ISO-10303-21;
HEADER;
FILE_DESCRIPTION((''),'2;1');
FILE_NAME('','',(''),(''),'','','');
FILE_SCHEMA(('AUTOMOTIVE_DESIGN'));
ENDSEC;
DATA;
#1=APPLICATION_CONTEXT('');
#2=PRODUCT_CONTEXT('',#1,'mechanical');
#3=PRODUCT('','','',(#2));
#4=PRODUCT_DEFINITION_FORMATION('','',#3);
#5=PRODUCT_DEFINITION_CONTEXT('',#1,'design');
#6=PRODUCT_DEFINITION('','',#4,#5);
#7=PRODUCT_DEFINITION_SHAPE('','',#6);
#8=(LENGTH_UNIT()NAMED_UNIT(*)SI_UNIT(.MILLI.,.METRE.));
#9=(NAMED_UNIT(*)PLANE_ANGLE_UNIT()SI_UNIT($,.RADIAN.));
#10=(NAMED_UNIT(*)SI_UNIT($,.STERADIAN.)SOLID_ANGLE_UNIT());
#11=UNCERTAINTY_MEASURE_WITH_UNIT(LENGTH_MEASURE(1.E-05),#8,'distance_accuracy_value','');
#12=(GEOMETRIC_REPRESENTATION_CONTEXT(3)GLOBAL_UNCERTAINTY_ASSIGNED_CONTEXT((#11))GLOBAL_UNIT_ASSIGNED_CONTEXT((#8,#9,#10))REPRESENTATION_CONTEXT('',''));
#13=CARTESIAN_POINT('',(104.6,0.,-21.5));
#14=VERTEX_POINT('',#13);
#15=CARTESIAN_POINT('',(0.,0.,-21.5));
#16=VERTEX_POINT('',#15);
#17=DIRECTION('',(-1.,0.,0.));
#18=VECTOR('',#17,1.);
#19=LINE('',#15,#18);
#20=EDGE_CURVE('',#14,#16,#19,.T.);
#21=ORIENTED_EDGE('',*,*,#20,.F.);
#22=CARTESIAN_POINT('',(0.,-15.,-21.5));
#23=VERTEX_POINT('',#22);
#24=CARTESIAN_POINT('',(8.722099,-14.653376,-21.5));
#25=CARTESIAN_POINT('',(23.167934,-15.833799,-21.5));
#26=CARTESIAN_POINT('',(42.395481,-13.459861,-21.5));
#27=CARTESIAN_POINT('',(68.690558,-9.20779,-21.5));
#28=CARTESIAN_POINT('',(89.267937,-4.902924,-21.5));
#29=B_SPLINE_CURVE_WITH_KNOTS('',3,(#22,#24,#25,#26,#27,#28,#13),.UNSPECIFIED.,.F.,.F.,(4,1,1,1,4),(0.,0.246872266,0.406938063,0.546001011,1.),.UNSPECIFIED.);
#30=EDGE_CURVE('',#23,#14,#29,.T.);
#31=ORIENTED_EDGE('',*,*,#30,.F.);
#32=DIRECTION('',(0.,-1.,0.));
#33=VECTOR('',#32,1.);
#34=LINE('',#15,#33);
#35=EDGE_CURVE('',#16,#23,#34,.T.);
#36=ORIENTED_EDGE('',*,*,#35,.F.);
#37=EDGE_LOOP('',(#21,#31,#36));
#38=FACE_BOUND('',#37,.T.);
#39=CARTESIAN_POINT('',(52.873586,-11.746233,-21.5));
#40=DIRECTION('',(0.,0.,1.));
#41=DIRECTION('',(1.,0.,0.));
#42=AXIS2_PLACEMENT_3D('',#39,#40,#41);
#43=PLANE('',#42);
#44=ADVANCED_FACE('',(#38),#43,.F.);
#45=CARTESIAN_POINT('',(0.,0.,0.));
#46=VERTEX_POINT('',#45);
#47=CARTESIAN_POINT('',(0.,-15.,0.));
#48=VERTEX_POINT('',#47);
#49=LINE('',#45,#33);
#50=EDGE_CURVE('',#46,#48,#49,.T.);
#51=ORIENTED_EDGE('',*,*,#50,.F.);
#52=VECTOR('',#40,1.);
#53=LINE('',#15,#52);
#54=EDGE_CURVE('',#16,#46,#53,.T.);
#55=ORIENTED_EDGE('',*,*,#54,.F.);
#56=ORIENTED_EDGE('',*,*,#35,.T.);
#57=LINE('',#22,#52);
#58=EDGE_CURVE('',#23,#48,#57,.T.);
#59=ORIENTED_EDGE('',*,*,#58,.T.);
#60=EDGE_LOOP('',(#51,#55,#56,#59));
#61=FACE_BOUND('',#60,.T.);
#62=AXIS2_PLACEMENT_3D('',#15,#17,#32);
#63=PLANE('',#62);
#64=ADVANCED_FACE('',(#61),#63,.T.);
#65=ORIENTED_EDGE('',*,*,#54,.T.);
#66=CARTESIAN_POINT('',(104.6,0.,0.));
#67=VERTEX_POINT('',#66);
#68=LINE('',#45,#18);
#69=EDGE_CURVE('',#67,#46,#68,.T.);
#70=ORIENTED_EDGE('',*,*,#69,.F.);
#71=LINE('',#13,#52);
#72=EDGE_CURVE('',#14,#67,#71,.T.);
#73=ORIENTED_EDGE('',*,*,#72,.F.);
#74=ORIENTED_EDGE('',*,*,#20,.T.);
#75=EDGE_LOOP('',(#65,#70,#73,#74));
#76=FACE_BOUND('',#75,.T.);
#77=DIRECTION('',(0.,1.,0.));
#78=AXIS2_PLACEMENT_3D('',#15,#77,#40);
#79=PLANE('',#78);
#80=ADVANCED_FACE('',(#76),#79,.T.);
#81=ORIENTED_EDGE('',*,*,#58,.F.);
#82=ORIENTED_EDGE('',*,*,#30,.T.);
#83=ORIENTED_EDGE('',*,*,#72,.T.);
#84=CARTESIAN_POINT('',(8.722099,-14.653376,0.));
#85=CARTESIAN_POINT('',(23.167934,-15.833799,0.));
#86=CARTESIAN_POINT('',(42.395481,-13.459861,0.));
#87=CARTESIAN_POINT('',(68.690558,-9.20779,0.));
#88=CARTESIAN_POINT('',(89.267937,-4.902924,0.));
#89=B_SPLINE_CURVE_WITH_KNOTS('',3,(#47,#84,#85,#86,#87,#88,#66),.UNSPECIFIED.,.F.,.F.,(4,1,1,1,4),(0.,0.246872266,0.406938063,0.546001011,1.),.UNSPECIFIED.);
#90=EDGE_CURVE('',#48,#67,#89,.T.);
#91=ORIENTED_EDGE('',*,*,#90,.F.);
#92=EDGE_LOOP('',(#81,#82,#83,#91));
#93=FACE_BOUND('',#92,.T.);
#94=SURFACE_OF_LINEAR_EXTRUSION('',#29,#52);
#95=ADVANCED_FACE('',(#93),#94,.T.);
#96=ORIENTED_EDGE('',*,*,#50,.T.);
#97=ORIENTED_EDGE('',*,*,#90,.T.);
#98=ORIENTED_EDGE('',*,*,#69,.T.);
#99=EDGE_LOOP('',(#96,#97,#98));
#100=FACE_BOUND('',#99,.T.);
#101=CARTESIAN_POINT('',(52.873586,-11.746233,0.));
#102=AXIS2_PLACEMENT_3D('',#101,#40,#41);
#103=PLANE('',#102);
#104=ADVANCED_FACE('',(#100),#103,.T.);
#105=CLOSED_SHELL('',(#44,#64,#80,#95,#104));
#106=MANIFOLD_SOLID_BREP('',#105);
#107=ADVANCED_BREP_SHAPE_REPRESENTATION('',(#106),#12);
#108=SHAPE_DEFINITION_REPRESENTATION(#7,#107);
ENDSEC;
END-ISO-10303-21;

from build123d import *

# Parameters (mm, degrees)
BOSS_EXTRUDE1_DEPTH = 21.5


with BuildPart() as part:
    # Sketch1 → Boss-Extrude1 (new body)
    with BuildSketch(Plane.XY):
        with BuildLine():
            Line((0, 0), (0, -15))
            add(Edge.make_bspline(
                [(0, -15), (8.7220986, -14.653376105), (23.167933869, -15.833799228), (42.395480636, -13.459861479), (68.690557596, -9.207790335), (89.267936531, -4.902923832), (104.6, 0)],
                knots=[0, 0, 0, 0, 0.246872266, 0.406938063, 0.546001011, 1, 1, 1, 1], degree=3))
            Line((104.6, 0), (0, 0))
        make_face()
    extrude(amount=-BOSS_EXTRUDE1_DEPTH)


solid = part.part
